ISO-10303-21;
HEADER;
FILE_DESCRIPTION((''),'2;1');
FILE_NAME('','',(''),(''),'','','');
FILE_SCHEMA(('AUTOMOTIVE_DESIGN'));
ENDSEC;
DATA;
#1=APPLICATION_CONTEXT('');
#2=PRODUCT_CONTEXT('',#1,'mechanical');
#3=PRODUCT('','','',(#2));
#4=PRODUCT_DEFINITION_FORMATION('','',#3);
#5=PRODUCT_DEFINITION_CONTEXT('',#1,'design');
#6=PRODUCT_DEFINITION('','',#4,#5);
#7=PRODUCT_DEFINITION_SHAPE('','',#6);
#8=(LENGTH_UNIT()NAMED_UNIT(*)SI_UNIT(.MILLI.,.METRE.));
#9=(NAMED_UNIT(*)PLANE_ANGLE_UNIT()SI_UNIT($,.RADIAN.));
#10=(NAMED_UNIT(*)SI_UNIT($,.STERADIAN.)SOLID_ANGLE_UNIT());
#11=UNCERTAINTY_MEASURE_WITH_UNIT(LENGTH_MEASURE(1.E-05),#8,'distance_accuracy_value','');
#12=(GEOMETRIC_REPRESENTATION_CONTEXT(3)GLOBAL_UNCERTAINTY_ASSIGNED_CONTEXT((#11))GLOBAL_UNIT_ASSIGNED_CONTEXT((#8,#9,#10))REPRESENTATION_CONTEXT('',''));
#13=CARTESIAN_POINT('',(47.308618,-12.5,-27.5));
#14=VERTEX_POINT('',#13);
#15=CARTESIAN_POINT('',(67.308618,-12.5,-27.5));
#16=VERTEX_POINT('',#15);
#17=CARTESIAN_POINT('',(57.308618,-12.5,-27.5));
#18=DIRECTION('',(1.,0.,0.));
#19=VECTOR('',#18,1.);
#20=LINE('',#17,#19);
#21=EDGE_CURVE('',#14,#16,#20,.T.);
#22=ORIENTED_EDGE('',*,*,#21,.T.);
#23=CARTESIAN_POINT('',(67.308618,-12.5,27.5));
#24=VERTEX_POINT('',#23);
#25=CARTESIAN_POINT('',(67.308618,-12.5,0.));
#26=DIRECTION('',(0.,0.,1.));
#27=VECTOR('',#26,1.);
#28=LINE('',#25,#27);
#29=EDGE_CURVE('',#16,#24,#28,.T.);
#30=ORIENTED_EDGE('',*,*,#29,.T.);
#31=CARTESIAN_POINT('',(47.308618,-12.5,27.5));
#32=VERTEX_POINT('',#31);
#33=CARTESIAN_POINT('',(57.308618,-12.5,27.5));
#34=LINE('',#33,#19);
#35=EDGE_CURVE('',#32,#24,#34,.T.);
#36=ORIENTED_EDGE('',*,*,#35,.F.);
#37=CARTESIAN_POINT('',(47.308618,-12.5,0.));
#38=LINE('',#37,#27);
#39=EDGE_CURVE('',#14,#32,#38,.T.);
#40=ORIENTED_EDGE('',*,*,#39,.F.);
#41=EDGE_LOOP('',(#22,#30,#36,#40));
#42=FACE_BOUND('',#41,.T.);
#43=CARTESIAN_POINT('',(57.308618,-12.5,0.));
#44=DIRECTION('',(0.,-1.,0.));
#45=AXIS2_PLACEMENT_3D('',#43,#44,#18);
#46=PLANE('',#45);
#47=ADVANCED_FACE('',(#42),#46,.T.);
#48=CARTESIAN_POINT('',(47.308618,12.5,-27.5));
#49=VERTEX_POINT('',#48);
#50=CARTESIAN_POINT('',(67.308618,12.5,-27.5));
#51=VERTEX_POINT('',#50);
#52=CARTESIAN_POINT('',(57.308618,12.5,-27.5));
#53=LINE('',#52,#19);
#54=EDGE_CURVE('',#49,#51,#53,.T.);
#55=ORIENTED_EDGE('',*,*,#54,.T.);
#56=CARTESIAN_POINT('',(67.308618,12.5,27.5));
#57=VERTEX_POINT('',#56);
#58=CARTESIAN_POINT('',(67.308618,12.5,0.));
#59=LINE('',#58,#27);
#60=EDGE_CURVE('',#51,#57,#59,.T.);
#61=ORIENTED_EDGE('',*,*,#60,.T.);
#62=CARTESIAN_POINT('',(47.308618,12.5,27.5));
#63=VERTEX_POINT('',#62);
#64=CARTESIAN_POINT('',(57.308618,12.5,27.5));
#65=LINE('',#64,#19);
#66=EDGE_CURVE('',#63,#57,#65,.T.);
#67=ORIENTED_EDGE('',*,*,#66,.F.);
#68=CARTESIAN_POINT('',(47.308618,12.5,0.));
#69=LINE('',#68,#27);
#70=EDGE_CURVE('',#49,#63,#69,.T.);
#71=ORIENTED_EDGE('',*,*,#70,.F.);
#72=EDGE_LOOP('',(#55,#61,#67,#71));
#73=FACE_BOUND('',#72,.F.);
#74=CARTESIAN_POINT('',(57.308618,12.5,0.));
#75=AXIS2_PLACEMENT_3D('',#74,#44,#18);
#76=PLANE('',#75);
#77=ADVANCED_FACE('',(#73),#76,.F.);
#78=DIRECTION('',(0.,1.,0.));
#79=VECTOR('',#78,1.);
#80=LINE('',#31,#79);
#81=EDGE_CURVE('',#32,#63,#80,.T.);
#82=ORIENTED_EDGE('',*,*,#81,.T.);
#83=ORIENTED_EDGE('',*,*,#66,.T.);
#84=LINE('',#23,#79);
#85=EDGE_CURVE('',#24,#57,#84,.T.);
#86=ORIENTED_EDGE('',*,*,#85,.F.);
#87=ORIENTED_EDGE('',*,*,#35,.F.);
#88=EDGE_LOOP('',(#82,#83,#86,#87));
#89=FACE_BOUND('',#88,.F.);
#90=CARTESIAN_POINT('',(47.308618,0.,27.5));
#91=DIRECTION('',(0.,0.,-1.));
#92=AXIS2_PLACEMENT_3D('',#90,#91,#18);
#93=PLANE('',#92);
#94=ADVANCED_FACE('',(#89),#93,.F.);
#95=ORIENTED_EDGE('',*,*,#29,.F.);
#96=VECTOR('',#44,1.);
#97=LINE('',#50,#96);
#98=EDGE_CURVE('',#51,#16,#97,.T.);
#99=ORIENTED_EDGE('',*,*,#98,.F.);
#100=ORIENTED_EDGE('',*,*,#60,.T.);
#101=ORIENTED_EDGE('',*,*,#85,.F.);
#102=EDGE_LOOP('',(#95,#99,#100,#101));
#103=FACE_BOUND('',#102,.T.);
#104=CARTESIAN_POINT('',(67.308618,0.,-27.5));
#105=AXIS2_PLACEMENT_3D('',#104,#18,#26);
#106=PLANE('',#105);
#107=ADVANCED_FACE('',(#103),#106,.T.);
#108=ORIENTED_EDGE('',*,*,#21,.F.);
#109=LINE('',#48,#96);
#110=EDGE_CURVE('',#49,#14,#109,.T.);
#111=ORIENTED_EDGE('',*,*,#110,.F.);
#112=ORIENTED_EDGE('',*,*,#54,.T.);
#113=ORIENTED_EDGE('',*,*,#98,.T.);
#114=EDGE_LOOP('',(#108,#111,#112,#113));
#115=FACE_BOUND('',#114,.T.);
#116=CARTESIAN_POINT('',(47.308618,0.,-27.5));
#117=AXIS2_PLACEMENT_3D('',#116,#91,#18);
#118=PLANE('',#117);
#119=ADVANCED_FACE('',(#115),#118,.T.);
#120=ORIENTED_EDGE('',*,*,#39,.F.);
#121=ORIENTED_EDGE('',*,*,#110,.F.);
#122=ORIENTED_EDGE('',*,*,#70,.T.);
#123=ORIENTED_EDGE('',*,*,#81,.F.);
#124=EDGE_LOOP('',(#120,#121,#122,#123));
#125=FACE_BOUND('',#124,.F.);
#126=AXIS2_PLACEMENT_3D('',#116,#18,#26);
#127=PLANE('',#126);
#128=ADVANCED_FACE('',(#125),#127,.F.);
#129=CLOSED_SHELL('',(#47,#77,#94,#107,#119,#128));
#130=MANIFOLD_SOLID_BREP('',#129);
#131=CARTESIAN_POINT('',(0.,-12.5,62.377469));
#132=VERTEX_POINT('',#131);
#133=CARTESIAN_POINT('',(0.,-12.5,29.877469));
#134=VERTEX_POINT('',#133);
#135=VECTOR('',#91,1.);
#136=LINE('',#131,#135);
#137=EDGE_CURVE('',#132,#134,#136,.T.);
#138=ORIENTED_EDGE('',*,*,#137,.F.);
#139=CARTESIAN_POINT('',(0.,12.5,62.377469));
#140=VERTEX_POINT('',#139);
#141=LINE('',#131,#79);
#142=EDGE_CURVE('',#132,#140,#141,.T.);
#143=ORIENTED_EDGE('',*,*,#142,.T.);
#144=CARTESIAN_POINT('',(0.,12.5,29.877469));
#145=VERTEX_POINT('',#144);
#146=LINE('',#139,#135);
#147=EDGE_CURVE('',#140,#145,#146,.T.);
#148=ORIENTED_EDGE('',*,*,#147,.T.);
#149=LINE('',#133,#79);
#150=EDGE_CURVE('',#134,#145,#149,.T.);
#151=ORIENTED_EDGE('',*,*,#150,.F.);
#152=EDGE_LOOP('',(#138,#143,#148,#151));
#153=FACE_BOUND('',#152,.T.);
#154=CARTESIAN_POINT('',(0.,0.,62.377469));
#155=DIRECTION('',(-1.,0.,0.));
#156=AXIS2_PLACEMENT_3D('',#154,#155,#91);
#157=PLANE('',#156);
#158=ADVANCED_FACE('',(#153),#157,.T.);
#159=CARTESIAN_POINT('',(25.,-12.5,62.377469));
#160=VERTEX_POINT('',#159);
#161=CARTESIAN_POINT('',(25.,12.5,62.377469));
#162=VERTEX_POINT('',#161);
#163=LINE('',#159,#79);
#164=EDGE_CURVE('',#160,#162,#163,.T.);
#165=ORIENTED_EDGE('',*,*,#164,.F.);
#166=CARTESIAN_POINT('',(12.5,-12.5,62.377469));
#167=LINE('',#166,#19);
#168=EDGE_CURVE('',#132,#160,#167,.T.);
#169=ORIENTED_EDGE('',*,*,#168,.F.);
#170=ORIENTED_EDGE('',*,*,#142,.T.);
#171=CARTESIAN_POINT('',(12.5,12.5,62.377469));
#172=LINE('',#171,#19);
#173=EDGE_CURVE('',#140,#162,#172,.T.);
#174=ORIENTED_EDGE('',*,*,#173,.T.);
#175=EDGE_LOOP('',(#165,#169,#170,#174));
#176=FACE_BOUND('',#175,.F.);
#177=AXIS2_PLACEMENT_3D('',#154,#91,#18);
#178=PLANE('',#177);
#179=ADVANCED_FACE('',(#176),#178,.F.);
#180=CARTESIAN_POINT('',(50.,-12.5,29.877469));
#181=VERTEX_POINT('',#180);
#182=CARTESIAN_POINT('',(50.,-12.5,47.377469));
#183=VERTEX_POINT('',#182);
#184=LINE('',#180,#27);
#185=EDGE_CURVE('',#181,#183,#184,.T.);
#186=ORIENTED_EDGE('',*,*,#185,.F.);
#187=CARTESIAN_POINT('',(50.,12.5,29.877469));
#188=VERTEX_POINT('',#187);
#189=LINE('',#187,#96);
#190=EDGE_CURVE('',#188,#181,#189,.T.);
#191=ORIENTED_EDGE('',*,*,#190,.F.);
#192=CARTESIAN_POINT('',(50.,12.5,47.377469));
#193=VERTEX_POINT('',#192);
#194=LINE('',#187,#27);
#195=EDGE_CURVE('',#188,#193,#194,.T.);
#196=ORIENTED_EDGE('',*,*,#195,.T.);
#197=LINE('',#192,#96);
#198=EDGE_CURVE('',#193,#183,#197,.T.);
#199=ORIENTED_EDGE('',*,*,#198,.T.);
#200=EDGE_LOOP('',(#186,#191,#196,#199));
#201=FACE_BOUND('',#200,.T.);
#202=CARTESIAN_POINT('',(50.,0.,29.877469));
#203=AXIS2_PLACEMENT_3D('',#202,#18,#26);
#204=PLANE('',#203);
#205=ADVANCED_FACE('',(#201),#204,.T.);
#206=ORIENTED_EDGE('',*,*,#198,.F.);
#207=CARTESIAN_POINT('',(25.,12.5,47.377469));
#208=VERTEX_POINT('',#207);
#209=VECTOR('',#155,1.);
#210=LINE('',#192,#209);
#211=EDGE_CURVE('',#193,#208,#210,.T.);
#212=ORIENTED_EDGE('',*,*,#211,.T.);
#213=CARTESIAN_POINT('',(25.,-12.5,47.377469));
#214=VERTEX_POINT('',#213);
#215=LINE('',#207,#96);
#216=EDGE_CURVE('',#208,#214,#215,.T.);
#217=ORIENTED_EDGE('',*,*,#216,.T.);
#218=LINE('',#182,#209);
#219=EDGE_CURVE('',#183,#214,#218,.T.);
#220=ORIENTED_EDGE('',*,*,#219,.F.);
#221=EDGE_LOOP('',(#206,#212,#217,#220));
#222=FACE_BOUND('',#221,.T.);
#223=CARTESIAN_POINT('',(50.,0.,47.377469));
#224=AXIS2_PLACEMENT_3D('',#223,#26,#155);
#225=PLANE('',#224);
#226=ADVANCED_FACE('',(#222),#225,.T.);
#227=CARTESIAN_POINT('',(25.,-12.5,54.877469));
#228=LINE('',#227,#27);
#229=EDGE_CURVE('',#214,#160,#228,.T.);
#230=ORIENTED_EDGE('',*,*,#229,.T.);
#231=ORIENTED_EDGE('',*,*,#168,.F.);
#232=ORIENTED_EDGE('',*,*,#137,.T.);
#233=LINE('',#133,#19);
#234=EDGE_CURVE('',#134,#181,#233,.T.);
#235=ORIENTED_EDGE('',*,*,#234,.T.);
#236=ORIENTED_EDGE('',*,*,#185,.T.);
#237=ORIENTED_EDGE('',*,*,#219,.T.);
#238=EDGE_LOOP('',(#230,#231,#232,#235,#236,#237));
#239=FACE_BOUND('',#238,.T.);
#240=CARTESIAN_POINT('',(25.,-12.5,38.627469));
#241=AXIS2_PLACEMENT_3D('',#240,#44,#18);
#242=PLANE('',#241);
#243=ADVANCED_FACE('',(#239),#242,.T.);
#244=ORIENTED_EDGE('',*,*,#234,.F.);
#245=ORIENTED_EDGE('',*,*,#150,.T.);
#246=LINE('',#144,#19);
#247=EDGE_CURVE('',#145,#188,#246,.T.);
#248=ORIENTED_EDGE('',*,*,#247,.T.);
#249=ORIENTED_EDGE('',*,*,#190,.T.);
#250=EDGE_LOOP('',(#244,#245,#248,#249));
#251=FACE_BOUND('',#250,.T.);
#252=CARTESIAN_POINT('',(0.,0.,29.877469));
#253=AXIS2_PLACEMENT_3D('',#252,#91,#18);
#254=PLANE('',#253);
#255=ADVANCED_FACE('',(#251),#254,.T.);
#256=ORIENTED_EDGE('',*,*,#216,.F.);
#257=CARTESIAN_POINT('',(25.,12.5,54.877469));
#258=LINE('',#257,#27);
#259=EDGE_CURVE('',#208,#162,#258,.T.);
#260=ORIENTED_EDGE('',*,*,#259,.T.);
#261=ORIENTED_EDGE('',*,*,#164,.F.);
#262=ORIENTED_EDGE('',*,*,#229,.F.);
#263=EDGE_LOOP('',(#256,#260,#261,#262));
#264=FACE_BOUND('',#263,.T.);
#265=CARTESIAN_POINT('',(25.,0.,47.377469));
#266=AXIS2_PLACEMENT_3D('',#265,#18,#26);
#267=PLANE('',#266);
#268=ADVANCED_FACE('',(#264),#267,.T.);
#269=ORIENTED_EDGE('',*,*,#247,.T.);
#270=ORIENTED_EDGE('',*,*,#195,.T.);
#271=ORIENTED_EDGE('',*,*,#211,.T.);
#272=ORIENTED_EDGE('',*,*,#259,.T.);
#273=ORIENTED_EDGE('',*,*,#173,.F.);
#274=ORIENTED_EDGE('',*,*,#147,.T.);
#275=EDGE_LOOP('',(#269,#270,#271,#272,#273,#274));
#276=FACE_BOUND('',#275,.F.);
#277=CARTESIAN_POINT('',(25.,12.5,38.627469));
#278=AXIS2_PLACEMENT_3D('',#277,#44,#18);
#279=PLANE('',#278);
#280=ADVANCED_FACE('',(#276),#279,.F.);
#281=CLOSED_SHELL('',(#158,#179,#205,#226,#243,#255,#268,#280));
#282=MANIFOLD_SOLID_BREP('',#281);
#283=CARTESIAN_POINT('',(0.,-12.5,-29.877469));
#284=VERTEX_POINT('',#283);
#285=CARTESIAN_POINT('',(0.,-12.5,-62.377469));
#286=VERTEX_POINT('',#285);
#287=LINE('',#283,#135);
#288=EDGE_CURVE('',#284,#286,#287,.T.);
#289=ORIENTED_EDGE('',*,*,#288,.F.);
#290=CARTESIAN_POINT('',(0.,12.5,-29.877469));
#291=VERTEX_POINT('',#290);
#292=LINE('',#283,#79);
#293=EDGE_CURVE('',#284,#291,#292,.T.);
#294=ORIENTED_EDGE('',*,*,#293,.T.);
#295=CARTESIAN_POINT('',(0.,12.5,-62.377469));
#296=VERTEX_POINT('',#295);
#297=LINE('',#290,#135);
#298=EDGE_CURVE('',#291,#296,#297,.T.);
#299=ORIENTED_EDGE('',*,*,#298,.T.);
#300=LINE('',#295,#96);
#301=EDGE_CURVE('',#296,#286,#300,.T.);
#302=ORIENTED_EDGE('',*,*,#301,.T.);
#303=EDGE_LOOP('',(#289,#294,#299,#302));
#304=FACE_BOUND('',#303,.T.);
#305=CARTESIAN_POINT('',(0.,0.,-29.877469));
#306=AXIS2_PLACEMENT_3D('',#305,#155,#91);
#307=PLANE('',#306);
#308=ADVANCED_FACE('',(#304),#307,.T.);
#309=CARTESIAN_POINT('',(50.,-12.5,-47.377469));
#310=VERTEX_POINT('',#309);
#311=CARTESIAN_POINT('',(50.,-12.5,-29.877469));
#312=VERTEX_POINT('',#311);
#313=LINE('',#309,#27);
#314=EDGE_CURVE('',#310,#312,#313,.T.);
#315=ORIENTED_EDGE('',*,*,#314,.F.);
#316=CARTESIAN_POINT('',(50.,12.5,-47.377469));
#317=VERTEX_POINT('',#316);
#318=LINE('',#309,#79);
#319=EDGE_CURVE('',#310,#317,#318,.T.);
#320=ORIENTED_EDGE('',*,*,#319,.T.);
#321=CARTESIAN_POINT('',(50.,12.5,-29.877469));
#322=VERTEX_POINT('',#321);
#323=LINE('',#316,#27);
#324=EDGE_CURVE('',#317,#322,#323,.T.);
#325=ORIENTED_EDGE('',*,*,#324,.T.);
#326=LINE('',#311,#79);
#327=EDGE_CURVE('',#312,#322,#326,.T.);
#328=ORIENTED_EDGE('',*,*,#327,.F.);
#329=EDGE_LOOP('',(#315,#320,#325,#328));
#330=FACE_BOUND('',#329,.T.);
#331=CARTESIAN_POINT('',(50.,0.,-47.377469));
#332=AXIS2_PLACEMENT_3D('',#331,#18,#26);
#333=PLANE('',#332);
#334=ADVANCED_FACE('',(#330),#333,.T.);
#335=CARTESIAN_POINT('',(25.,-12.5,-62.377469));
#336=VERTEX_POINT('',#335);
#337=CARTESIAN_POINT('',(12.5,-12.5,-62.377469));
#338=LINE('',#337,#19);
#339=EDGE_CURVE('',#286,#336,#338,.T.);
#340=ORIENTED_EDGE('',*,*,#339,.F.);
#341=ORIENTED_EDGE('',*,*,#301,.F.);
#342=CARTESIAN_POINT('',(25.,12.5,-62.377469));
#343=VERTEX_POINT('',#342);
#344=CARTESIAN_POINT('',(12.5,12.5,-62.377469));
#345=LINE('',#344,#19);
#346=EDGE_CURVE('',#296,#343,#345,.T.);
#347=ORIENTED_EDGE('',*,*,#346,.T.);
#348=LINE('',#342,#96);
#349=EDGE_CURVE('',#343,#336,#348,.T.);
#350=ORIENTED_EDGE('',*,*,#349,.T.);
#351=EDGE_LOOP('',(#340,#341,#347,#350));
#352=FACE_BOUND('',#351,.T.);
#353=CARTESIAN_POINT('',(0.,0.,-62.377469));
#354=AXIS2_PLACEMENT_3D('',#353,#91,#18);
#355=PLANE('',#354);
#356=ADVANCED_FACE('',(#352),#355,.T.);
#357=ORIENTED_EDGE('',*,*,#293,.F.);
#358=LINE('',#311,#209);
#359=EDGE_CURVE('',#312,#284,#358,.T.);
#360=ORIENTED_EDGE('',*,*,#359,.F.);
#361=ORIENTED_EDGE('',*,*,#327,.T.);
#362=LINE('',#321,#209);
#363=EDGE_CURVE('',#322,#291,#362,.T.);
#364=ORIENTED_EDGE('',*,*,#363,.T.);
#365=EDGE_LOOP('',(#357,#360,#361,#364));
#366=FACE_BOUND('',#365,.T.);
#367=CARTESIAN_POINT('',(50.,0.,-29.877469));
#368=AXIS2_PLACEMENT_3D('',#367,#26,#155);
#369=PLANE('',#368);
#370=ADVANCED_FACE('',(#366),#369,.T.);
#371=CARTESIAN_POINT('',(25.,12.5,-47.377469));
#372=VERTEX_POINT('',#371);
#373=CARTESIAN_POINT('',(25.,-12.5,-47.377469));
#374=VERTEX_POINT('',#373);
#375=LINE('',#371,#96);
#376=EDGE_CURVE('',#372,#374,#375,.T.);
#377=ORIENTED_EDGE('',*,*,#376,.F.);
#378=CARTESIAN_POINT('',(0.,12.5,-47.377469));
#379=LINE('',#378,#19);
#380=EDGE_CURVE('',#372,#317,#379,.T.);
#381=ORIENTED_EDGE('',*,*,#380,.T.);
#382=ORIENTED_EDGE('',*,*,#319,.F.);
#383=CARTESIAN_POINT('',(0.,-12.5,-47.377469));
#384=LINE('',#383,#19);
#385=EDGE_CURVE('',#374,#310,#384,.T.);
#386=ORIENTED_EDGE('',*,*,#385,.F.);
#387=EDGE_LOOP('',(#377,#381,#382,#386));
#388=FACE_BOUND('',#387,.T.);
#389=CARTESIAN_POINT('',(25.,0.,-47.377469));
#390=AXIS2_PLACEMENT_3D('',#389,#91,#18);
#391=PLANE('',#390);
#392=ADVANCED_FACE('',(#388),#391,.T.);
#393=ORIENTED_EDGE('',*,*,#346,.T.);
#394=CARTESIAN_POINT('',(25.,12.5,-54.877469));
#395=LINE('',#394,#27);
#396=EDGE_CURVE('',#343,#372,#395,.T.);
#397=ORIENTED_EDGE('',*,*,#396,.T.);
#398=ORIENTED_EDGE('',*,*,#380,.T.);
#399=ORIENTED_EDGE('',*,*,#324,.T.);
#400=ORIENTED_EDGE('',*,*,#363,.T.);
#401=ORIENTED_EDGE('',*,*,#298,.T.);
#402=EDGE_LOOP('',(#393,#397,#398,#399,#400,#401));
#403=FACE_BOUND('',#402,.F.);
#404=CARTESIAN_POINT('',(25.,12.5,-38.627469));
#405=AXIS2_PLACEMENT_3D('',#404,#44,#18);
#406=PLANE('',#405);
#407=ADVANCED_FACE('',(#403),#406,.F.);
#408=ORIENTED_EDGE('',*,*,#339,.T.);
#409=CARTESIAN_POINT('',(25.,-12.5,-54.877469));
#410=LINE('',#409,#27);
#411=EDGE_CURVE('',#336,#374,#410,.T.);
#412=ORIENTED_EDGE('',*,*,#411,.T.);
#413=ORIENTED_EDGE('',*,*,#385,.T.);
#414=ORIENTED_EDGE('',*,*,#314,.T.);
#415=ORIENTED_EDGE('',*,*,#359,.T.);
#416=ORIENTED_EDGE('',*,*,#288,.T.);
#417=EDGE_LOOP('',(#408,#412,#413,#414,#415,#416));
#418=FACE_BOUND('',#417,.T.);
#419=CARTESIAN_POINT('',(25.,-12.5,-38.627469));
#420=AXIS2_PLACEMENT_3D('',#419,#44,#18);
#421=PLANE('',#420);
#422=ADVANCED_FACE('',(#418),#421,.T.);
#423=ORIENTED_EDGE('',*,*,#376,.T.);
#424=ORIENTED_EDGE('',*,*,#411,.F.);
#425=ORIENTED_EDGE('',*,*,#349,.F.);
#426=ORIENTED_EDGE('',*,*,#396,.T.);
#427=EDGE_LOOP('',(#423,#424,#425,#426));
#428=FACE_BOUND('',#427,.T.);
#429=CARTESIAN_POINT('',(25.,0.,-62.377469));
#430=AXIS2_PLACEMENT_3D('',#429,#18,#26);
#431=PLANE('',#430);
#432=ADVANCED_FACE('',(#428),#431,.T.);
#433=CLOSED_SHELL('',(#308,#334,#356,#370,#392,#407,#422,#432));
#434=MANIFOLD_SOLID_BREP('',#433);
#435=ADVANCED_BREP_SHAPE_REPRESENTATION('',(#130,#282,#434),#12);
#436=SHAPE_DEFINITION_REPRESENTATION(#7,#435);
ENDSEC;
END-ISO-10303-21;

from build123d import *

# Parameters (mm, degrees)
F0_W     = 25
F0_H     = 15
F1_DEPTH = 12.5
F0_W_2   = 20
F0_H_2   = 55


with BuildPart() as f1:
    # F0 (on Front) → F1 (new body, symmetric)
    with BuildSketch(Plane.XZ):
        Polygon((25, 47.3774689436), (0, 47.3774689436), (0, 29.8774689436), (50, 29.8774689436), (50, 47.3774689436), align=None)
        with Locations((12.5, 54.8774689436)):
            Rectangle(F0_W, F0_H)
    extrude(amount=F1_DEPTH, both=True)


with BuildPart() as f1b:
    # F0 (on Front) → F1, piece 2 (new body, symmetric)
    with BuildSketch(Plane.XZ):
        Polygon((0, -29.8774689436), (0, -47.3774689436), (25, -47.3774689436), (50, -47.3774689436), (50, -29.8774689436), align=None)
        with Locations((12.5, -54.8774689436)):
            Rectangle(F0_W, F0_H)
    extrude(amount=F1_DEPTH, both=True)


with BuildPart() as f1c:
    # F0 (on Front) → F1, piece 3 (new body, symmetric)
    with BuildSketch(Plane.XZ):
        with Locations((57.3086179793, 0)):
            Rectangle(F0_W_2, F0_H_2)
    extrude(amount=F1_DEPTH, both=True)


solid = Compound([f1.part, f1b.part, f1c.part])
